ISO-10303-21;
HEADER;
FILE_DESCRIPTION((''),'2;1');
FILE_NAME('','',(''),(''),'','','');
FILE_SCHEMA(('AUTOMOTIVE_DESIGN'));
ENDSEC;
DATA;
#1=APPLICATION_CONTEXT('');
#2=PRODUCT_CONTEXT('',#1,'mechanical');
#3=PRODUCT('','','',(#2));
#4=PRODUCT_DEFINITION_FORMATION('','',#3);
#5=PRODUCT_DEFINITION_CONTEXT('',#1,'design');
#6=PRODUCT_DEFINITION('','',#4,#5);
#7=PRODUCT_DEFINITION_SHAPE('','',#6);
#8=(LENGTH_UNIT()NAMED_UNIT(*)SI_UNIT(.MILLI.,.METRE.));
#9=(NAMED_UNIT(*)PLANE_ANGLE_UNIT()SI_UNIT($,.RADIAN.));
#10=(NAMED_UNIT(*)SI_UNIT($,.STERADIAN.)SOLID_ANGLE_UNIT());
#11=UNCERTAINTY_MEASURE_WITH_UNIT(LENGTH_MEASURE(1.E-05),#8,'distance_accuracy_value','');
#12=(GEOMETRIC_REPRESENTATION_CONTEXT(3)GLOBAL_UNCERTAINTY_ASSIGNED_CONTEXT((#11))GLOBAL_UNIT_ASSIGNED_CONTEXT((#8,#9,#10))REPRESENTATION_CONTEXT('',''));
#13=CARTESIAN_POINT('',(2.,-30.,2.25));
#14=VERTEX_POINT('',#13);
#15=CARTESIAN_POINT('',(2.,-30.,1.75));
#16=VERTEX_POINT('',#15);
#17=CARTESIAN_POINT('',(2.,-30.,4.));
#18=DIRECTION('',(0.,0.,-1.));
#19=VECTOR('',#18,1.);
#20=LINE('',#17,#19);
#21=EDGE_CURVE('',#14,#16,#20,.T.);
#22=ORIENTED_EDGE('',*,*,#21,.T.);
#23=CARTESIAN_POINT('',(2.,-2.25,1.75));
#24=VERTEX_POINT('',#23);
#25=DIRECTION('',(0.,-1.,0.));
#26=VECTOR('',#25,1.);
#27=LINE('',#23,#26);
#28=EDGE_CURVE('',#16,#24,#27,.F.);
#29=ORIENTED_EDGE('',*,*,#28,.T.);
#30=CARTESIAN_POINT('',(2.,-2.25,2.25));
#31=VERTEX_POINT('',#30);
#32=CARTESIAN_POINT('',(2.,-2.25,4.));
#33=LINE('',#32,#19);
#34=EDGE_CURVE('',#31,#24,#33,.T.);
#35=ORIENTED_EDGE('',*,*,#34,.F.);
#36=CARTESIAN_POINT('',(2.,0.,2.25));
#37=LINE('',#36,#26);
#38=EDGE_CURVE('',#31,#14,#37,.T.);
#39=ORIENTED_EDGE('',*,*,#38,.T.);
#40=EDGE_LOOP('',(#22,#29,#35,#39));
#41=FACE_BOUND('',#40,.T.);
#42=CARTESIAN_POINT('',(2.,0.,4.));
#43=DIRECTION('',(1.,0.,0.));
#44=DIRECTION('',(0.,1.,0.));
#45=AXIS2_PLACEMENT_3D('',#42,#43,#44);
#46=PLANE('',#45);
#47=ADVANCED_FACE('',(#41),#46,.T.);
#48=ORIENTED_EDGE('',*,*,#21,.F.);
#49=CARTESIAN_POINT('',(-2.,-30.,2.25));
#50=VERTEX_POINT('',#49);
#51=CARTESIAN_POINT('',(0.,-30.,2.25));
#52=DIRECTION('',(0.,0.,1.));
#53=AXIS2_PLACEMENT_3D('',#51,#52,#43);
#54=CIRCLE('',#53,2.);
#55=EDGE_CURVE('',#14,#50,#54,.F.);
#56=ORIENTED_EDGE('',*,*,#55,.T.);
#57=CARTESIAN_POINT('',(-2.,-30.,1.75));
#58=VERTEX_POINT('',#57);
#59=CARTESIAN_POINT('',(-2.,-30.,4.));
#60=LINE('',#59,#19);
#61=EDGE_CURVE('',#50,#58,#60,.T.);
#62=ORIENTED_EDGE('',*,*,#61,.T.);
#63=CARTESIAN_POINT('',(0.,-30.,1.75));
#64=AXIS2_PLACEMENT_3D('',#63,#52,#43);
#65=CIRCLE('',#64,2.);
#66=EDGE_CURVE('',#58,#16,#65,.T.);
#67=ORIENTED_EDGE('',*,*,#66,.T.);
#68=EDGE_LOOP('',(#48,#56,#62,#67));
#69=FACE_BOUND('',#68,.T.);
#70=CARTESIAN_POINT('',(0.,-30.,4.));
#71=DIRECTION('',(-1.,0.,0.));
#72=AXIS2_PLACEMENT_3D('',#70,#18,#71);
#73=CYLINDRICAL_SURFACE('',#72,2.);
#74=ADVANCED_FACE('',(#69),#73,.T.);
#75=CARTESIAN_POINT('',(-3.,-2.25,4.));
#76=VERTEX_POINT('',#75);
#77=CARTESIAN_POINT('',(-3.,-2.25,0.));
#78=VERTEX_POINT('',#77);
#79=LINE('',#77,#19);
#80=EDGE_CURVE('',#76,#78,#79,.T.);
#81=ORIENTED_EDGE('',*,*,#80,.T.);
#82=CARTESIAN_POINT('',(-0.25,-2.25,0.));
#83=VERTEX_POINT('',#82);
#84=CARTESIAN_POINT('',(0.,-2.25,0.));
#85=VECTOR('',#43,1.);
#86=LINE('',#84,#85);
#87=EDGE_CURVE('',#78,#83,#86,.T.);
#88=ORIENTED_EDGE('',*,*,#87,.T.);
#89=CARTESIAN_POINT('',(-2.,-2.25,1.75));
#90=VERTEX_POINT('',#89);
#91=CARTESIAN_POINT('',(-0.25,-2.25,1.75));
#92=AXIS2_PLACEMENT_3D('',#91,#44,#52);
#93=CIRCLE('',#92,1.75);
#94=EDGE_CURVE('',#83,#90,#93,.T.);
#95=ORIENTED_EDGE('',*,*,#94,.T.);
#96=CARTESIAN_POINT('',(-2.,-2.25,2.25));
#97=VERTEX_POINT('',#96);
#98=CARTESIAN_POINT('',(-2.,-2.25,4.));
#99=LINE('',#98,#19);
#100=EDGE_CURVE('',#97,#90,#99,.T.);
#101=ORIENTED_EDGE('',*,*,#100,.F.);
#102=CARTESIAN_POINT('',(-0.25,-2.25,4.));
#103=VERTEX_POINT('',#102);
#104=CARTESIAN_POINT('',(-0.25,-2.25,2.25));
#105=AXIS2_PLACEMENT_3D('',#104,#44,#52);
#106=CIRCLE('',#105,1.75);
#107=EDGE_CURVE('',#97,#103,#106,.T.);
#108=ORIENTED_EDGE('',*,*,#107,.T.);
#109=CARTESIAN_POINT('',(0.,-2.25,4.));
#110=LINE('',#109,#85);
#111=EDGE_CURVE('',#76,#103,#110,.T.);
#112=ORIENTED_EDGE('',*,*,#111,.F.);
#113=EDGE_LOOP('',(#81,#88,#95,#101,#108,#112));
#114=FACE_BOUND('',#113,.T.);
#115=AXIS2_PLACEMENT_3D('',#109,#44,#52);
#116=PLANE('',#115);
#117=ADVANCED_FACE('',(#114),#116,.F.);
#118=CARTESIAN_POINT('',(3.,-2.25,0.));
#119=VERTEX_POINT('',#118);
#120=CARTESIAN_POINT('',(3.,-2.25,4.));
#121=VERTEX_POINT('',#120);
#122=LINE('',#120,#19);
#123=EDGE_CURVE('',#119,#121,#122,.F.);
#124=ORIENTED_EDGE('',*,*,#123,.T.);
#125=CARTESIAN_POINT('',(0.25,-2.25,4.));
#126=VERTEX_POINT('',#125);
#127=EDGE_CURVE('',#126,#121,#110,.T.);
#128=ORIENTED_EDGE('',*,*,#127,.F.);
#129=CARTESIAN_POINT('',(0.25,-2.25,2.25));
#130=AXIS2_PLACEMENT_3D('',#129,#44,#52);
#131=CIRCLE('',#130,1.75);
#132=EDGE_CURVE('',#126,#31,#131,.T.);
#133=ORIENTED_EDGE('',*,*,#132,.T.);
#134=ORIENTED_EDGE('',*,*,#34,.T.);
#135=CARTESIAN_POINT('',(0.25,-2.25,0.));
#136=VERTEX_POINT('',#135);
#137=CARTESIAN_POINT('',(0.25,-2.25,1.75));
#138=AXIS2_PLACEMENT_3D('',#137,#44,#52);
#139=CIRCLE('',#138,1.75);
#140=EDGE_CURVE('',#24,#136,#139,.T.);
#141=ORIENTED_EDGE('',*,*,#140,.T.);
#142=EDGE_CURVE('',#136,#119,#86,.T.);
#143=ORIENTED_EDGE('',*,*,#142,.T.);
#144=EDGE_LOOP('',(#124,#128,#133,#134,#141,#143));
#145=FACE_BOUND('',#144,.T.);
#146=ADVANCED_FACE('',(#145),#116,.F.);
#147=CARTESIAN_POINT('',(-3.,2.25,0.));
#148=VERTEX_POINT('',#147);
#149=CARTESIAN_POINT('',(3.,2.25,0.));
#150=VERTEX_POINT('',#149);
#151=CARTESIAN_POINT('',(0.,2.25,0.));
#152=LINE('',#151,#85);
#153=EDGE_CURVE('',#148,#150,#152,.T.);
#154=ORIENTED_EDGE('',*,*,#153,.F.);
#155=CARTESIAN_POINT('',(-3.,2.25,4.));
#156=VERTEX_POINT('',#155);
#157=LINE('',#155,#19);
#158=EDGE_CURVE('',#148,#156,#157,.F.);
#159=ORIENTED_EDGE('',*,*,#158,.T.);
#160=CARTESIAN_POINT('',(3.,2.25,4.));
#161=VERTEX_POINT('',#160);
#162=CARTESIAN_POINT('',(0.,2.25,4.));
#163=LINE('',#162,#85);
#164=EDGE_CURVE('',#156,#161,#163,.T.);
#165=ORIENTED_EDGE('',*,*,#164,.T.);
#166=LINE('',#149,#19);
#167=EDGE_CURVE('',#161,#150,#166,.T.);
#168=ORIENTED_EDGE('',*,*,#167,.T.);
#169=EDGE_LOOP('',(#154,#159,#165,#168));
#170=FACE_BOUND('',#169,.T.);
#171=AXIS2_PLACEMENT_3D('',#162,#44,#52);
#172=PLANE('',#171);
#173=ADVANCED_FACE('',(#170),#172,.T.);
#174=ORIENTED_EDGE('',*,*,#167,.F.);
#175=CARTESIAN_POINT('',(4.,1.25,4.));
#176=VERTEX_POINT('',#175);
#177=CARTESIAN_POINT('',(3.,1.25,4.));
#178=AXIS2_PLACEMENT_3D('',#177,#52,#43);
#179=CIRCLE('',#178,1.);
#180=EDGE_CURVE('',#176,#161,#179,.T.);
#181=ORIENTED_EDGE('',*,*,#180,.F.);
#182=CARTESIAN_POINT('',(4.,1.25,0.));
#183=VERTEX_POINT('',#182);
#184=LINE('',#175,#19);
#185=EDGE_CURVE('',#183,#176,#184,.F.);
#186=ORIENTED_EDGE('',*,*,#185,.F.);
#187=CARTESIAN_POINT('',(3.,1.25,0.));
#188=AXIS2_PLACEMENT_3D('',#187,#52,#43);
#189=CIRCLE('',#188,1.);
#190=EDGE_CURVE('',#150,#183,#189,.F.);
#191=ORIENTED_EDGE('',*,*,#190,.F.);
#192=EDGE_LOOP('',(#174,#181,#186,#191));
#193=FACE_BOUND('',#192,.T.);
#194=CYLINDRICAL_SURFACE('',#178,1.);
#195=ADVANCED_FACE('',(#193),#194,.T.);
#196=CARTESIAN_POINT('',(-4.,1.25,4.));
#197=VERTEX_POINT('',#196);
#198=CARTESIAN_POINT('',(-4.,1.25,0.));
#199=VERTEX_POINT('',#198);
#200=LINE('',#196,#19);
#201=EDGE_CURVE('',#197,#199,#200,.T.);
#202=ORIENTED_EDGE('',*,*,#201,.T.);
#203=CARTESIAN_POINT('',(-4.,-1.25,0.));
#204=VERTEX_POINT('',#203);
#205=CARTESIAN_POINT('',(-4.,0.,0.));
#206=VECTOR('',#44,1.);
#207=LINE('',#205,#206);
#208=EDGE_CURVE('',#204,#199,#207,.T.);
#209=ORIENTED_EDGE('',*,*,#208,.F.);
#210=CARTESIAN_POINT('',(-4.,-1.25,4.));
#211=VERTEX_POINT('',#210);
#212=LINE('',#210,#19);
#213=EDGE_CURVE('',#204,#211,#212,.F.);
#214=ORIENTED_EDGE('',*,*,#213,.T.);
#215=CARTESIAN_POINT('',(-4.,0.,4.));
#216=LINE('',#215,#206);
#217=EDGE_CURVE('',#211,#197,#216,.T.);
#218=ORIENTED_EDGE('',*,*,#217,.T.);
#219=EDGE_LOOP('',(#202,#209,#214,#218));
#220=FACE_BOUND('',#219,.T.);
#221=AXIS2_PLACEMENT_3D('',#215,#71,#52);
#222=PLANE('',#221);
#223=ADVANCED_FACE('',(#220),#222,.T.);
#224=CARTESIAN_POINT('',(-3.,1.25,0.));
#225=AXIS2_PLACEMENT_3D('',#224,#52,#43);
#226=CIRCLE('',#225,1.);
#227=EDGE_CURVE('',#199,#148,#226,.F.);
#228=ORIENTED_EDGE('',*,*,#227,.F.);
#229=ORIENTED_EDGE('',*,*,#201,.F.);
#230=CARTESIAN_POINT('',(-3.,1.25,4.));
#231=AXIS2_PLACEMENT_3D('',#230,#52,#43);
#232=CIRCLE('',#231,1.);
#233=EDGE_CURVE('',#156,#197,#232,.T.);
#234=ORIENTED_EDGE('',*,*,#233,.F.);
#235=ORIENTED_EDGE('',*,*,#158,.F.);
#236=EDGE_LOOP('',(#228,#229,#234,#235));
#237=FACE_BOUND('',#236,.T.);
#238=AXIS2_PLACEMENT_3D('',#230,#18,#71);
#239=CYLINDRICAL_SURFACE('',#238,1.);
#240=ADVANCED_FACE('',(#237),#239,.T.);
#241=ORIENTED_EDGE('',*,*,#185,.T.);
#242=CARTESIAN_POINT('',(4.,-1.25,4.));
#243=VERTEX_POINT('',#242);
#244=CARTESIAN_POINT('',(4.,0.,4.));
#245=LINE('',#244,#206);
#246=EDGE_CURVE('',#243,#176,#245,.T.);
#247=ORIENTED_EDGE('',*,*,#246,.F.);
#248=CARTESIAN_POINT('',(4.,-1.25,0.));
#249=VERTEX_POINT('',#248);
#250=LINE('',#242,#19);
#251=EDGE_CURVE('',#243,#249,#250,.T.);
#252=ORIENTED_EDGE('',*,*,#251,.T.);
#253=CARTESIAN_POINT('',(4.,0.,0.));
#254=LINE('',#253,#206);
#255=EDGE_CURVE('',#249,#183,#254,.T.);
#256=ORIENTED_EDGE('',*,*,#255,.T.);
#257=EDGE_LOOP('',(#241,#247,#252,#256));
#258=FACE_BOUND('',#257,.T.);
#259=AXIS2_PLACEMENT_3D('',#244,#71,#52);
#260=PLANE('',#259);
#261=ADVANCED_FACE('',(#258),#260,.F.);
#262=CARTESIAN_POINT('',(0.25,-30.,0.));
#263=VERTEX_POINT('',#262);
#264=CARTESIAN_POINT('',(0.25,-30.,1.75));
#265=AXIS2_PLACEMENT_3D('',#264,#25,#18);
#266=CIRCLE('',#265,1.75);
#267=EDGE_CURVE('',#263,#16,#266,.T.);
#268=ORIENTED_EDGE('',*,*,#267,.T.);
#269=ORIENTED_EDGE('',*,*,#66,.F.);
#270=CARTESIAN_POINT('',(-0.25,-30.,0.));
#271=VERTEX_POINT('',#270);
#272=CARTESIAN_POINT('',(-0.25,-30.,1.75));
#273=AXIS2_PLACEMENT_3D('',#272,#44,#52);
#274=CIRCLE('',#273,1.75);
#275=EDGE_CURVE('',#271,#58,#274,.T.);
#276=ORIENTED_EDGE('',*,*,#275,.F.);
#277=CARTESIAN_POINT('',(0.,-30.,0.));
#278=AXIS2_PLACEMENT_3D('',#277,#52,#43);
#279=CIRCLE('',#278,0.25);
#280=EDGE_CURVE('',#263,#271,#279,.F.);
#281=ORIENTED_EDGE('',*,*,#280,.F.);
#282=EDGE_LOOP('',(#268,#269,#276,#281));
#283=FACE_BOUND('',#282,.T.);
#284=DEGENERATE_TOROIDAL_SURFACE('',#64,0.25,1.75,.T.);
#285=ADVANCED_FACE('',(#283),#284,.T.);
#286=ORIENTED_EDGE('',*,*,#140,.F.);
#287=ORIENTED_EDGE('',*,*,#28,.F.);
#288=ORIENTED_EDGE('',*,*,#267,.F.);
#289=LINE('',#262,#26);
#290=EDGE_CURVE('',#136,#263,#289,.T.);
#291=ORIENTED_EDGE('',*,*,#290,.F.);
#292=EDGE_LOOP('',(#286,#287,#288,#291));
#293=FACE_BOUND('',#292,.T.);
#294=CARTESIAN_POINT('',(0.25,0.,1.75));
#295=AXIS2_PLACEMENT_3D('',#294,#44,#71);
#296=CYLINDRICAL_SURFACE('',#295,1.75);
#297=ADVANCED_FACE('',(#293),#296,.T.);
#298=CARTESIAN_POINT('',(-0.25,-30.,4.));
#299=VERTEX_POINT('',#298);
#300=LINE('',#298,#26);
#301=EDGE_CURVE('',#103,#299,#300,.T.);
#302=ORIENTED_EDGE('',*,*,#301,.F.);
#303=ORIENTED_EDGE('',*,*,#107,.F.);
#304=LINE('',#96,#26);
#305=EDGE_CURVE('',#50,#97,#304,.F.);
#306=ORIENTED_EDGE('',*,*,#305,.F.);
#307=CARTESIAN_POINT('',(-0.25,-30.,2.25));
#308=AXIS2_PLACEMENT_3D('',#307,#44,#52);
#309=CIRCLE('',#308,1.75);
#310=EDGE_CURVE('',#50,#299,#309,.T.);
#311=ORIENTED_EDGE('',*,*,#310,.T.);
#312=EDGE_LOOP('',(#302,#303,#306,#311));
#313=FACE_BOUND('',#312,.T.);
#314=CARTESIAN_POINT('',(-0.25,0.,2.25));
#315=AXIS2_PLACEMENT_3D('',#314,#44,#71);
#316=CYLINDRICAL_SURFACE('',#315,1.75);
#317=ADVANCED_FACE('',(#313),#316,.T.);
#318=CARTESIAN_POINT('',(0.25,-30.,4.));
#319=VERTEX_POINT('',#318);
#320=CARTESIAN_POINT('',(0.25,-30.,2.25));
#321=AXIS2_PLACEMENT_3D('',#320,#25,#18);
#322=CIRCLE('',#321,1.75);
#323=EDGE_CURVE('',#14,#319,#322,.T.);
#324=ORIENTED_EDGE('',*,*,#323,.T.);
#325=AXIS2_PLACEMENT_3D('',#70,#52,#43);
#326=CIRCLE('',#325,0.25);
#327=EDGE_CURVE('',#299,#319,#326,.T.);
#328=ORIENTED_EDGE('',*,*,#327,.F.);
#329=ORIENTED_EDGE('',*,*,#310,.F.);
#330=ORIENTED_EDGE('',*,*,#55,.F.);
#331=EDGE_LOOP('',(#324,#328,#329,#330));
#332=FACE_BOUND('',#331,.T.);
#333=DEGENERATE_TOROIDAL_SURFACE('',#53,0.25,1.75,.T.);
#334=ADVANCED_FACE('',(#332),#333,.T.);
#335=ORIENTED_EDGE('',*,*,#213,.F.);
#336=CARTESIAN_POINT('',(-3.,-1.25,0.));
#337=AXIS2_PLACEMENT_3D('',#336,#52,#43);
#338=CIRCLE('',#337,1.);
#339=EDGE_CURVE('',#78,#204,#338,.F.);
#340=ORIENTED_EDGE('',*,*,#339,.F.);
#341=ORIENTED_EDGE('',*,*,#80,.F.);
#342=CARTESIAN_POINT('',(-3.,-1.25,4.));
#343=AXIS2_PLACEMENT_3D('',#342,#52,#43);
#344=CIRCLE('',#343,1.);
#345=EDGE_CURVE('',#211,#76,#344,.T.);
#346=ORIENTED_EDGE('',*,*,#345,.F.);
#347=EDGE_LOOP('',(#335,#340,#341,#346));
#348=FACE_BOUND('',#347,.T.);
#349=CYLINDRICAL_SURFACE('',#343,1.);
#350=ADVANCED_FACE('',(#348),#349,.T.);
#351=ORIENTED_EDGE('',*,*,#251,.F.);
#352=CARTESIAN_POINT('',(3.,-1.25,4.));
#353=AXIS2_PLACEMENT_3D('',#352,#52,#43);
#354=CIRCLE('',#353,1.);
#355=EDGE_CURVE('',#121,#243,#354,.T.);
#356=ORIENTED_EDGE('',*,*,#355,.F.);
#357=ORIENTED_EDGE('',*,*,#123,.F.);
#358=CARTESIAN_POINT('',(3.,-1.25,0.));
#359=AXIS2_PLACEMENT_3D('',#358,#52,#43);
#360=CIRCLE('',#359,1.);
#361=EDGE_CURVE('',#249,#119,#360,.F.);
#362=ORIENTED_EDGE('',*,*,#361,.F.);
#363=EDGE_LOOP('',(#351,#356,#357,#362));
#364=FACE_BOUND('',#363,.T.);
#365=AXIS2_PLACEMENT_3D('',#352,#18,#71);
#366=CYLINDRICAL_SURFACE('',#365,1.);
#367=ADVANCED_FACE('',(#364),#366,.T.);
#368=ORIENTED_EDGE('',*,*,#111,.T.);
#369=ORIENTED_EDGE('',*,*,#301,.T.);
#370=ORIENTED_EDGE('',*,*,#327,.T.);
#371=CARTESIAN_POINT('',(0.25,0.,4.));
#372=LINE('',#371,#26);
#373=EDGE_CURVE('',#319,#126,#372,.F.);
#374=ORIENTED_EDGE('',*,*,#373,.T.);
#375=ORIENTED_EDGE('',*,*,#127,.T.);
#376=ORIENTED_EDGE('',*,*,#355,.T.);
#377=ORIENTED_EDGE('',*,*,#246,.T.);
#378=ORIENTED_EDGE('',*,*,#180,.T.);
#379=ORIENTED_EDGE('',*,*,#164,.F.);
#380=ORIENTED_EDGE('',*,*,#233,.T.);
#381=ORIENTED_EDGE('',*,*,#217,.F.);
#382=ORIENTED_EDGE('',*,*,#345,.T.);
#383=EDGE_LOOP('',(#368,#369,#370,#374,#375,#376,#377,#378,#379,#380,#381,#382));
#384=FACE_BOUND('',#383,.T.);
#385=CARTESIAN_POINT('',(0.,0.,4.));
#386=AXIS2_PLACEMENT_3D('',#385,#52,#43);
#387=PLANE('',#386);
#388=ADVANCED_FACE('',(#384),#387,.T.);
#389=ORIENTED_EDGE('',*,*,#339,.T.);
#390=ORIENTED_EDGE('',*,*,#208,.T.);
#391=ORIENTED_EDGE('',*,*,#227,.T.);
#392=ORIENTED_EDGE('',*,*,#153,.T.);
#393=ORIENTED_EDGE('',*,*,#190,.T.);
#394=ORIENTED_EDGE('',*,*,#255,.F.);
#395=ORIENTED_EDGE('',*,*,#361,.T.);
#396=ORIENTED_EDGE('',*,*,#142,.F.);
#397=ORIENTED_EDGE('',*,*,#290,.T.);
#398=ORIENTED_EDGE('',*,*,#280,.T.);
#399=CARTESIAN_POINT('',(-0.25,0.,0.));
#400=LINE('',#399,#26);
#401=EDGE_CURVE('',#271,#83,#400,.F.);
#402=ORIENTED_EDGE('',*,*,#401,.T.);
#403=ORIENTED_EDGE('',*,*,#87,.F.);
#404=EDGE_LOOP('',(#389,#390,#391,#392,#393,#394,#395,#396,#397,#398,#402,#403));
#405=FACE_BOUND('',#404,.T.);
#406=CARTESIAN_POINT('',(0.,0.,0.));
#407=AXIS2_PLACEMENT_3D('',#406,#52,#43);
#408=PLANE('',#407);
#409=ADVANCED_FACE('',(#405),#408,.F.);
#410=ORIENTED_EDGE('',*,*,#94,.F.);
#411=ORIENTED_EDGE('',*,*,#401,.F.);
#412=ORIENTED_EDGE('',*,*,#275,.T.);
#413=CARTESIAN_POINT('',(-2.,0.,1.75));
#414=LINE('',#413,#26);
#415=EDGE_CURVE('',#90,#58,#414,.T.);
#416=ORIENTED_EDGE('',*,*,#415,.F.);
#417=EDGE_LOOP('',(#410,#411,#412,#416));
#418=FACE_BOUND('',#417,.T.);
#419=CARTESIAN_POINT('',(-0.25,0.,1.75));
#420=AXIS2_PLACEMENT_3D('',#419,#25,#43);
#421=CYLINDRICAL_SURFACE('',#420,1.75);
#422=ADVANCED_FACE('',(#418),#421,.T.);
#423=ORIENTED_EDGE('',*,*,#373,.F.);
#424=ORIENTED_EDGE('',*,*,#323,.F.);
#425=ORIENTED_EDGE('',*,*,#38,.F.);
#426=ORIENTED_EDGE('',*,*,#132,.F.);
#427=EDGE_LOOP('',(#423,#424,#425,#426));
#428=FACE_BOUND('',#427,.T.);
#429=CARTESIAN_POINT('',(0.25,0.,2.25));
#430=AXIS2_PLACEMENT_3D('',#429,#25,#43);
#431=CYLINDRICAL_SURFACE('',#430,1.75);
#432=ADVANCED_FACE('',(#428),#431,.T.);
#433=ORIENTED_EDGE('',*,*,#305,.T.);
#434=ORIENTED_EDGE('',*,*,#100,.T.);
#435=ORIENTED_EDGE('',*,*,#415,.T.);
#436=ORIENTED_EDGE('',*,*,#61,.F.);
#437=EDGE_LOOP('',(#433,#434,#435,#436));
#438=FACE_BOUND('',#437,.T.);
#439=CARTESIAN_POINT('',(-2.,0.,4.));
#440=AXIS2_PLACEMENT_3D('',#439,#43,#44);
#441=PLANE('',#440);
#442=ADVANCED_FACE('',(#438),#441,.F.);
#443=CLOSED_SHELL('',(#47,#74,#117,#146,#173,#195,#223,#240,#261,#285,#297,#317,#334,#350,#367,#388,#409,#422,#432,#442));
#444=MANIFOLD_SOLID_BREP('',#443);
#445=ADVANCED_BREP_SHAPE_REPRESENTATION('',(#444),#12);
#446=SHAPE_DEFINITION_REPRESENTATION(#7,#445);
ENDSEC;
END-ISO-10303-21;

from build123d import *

# Parameters (mm, degrees)
BOSS_EXTRUDE1_DEPTH = 4
FILLET1_R           = 1.75
FILLET2_R           = 1


with BuildPart() as part:
    # Sketch1 → Boss-Extrude1 (new body)
    with BuildSketch(Plane.XY):
        with BuildLine():
            Line((2, -2.25), (-2, -2.25))
            Line((-2, -2.25), (-2, -30))
            ThreePointArc((-2, -30), (0, -32), (2, -30))
            Line((2, -30), (2, -2.25))
        make_face()
        with BuildLine():
            Line((-2, 0), (-2, -2.25))
            Line((-2, -2.25), (2, -2.25))
            Line((2, -2.25), (2, 0))
            ThreePointArc((2, 0), (0, 2), (-2, 0))
        make_face()
        with BuildLine():
            Line((-4, 2.25), (-4, -2.25))
            Line((-4, -2.25), (-2, -2.25))
            Line((-2, -2.25), (-2, 0))
            ThreePointArc((-2, 0), (0, 2), (2, 0))
            Line((2, 0), (2, -2.25))
            Line((2, -2.25), (4, -2.25))
            Line((4, -2.25), (4, 2.25))
            Line((4, 2.25), (-4, 2.25))
        make_face()
    extrude(amount=BOSS_EXTRUDE1_DEPTH)

    # Fillet1
    fillet1_edges = [part.edges().sort_by_distance(p)[0] for p in [
        (2, -16.125, 0),
        (0, -32, 0),
        (-2, -16.125, 0),
        (0, -32, 4),
        (2, -16.125, 4),
        (-2, -16.125, 4),
    ]]
    fillet(fillet1_edges, radius=FILLET1_R)

    # Fillet2
    fillet2_edges = [part.edges().sort_by_distance(p)[0] for p in [
        (-4, -2.25, 2),
        (-4, 2.25, 2),
        (4, 2.25, 2),
        (4, -2.25, 2),
    ]]
    fillet(fillet2_edges, radius=FILLET2_R)


solid = part.part
